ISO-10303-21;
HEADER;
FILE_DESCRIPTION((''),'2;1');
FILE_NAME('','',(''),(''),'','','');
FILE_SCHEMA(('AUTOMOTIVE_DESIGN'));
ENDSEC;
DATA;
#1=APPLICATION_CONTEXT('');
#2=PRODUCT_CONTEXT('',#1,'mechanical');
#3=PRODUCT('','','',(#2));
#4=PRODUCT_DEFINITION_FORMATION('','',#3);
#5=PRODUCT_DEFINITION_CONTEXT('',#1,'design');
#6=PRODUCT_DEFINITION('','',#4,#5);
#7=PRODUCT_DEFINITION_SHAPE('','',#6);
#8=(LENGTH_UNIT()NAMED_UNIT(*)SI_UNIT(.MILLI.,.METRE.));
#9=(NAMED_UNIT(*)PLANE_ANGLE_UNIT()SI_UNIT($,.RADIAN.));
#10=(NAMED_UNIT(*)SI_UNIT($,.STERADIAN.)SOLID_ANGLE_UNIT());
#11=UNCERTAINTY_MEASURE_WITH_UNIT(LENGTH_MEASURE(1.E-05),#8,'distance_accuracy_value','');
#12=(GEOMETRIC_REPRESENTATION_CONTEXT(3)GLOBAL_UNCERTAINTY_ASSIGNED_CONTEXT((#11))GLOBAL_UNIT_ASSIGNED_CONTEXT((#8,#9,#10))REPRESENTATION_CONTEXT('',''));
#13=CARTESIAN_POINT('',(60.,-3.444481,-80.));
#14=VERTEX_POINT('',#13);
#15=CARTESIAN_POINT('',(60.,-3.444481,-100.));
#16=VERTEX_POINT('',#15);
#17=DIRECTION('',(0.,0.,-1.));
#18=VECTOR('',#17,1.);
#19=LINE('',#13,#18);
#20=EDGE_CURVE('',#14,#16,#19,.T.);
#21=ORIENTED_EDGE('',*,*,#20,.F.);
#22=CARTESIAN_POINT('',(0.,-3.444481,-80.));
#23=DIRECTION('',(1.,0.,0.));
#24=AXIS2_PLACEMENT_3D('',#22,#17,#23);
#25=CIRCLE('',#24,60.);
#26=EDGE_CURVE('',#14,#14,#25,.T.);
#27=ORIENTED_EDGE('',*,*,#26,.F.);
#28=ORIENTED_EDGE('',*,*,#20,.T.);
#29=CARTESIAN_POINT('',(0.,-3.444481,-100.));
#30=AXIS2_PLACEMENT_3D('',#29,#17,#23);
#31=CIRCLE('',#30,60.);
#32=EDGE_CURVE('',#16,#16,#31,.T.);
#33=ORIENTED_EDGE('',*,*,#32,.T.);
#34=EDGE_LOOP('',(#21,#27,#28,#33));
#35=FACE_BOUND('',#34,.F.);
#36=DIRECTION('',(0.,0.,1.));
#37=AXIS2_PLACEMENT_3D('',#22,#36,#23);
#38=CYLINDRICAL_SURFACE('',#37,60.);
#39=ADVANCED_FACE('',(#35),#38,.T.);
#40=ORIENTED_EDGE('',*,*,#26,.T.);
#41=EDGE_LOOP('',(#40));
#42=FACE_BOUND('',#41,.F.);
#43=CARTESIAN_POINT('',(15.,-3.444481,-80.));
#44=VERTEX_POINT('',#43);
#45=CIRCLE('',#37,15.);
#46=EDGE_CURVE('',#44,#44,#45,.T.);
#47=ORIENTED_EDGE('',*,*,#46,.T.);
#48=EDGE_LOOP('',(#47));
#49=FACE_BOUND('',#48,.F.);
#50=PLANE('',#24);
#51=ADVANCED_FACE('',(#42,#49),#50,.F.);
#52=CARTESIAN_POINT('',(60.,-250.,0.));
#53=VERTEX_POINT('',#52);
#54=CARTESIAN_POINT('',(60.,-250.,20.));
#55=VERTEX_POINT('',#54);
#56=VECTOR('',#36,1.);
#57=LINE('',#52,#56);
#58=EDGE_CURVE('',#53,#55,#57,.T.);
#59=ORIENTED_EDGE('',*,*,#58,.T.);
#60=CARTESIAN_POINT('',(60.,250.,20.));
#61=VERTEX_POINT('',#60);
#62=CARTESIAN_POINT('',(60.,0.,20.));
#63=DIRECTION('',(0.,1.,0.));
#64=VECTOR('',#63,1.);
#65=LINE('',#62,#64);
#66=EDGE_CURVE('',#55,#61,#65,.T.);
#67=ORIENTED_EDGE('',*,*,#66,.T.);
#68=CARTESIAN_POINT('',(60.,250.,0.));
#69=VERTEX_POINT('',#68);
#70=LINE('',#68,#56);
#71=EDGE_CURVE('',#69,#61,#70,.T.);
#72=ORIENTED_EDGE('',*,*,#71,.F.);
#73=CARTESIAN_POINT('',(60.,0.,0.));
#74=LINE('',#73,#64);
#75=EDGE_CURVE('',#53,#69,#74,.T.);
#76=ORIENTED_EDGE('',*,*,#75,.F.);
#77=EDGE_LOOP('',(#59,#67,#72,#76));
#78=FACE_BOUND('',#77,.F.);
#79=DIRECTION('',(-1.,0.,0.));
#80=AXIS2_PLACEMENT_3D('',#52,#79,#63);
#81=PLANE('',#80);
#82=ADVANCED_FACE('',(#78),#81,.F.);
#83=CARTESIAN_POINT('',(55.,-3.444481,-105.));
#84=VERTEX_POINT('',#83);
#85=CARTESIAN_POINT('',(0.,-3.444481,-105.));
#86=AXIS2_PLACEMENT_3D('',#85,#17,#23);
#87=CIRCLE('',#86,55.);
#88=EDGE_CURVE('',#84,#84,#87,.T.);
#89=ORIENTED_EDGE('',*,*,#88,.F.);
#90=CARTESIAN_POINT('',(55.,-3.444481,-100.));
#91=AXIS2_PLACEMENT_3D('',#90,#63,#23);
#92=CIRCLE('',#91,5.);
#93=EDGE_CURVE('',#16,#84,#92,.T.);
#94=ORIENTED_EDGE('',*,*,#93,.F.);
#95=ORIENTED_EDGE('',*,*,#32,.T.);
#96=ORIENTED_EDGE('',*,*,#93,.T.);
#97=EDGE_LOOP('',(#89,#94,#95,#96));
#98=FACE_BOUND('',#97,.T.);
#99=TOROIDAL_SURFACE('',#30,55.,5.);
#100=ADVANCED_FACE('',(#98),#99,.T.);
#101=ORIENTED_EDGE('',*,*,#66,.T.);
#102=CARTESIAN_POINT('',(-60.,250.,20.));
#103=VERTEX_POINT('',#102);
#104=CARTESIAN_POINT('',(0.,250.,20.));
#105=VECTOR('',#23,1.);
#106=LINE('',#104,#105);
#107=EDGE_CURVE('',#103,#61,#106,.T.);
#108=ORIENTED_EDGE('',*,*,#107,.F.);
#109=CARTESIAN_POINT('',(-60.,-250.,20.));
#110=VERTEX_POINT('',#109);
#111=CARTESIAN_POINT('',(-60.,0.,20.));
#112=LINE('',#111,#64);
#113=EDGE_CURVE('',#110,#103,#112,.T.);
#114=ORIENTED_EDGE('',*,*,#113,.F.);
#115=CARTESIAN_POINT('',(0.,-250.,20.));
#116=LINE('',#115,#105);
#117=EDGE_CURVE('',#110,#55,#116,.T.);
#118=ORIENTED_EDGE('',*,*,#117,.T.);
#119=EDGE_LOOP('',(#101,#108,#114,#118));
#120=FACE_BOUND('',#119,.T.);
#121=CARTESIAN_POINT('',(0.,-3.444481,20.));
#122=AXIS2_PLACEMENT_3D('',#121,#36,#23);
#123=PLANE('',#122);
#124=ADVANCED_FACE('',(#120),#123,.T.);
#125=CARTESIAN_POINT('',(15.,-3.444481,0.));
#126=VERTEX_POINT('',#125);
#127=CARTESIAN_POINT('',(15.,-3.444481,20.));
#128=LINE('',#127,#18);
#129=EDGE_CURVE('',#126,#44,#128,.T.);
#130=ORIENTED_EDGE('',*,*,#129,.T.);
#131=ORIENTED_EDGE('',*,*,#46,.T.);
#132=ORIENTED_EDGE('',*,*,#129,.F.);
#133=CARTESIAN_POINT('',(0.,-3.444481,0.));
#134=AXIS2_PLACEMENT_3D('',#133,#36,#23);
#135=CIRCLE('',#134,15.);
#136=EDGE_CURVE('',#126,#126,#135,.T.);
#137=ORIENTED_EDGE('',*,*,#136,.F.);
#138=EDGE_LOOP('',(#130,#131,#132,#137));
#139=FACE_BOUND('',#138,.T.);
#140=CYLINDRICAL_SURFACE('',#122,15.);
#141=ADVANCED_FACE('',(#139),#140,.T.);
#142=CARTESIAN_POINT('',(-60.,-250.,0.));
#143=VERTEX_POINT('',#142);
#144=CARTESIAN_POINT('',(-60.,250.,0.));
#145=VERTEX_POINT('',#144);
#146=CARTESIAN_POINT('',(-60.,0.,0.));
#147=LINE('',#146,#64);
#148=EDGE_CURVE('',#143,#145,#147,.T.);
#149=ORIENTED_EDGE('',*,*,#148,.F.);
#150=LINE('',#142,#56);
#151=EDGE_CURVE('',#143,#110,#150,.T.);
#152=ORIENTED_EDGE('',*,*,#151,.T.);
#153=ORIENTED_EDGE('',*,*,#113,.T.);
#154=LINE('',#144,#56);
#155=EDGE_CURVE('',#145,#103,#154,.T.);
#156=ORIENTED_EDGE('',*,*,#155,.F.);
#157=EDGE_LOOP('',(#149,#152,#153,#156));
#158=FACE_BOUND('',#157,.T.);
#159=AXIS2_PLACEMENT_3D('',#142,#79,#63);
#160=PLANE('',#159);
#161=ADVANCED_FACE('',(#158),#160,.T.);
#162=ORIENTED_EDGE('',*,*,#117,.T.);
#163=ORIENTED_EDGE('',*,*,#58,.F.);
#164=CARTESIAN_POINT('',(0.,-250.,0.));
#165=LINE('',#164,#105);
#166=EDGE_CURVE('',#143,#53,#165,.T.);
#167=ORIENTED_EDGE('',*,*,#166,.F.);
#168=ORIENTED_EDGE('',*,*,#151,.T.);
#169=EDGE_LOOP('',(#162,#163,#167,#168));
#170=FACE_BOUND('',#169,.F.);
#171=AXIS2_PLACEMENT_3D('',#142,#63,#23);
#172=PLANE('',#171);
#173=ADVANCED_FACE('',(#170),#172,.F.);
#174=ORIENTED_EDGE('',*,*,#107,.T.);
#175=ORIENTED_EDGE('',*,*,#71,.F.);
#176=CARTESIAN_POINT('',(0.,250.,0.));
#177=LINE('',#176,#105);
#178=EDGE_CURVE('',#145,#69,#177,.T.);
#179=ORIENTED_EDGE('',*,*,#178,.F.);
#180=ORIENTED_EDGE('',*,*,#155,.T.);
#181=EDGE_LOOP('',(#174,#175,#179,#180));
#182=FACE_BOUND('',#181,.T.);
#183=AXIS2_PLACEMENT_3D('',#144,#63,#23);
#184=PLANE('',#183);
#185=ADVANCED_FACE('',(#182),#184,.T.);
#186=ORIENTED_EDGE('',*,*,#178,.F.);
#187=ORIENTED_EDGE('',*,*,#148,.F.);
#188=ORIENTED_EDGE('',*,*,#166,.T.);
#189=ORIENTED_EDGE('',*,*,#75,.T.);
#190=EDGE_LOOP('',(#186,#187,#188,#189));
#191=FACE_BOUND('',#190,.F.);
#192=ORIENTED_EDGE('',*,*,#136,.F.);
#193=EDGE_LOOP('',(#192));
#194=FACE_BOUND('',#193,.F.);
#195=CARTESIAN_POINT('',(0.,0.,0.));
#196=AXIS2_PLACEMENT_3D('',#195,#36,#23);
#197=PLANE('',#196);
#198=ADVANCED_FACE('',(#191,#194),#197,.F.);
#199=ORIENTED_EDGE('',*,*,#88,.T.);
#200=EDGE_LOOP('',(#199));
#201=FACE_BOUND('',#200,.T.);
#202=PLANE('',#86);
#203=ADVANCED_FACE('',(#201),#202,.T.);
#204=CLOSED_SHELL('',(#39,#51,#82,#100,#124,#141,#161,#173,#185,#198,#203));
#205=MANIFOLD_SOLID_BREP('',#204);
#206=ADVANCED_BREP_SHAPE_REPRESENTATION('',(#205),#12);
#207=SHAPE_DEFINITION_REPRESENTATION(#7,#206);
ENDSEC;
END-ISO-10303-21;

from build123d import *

# Parameters (mm, degrees)
F0_W     = 120
F0_H     = 500
F1_DEPTH = 20
F2_R     = 15
F3_DEPTH = 100
F4_R     = 60
F5_DEPTH = 25
F6_R     = 5


with BuildPart() as f1:
    # F0 (on Top) → F1 (new body)
    with BuildSketch(Plane.XY):
        Rectangle(F0_W, F0_H)
    extrude(amount=F1_DEPTH)

    # F2 (on face) → F3 (join)
    with BuildSketch(Plane.XY.offset(20)):
        with Locations((0, -3.444481)):
            Circle(F2_R)
    extrude(amount=-F3_DEPTH)

    # F4 (on face) → F5 (join)
    with BuildSketch(Plane(origin=(0, 0, -80), x_dir=(1, 0, 0), z_dir=(0, 0, -1))):
        with Locations((0, 3.444481)):
            Circle(F4_R)
    extrude(amount=F5_DEPTH)

    # F6
    f6_edges = [f1.edges().sort_by_distance(p)[0] for p in [
        (-60, -3.444481, -105),
    ]]
    fillet(f6_edges, radius=F6_R)


solid = f1.part
